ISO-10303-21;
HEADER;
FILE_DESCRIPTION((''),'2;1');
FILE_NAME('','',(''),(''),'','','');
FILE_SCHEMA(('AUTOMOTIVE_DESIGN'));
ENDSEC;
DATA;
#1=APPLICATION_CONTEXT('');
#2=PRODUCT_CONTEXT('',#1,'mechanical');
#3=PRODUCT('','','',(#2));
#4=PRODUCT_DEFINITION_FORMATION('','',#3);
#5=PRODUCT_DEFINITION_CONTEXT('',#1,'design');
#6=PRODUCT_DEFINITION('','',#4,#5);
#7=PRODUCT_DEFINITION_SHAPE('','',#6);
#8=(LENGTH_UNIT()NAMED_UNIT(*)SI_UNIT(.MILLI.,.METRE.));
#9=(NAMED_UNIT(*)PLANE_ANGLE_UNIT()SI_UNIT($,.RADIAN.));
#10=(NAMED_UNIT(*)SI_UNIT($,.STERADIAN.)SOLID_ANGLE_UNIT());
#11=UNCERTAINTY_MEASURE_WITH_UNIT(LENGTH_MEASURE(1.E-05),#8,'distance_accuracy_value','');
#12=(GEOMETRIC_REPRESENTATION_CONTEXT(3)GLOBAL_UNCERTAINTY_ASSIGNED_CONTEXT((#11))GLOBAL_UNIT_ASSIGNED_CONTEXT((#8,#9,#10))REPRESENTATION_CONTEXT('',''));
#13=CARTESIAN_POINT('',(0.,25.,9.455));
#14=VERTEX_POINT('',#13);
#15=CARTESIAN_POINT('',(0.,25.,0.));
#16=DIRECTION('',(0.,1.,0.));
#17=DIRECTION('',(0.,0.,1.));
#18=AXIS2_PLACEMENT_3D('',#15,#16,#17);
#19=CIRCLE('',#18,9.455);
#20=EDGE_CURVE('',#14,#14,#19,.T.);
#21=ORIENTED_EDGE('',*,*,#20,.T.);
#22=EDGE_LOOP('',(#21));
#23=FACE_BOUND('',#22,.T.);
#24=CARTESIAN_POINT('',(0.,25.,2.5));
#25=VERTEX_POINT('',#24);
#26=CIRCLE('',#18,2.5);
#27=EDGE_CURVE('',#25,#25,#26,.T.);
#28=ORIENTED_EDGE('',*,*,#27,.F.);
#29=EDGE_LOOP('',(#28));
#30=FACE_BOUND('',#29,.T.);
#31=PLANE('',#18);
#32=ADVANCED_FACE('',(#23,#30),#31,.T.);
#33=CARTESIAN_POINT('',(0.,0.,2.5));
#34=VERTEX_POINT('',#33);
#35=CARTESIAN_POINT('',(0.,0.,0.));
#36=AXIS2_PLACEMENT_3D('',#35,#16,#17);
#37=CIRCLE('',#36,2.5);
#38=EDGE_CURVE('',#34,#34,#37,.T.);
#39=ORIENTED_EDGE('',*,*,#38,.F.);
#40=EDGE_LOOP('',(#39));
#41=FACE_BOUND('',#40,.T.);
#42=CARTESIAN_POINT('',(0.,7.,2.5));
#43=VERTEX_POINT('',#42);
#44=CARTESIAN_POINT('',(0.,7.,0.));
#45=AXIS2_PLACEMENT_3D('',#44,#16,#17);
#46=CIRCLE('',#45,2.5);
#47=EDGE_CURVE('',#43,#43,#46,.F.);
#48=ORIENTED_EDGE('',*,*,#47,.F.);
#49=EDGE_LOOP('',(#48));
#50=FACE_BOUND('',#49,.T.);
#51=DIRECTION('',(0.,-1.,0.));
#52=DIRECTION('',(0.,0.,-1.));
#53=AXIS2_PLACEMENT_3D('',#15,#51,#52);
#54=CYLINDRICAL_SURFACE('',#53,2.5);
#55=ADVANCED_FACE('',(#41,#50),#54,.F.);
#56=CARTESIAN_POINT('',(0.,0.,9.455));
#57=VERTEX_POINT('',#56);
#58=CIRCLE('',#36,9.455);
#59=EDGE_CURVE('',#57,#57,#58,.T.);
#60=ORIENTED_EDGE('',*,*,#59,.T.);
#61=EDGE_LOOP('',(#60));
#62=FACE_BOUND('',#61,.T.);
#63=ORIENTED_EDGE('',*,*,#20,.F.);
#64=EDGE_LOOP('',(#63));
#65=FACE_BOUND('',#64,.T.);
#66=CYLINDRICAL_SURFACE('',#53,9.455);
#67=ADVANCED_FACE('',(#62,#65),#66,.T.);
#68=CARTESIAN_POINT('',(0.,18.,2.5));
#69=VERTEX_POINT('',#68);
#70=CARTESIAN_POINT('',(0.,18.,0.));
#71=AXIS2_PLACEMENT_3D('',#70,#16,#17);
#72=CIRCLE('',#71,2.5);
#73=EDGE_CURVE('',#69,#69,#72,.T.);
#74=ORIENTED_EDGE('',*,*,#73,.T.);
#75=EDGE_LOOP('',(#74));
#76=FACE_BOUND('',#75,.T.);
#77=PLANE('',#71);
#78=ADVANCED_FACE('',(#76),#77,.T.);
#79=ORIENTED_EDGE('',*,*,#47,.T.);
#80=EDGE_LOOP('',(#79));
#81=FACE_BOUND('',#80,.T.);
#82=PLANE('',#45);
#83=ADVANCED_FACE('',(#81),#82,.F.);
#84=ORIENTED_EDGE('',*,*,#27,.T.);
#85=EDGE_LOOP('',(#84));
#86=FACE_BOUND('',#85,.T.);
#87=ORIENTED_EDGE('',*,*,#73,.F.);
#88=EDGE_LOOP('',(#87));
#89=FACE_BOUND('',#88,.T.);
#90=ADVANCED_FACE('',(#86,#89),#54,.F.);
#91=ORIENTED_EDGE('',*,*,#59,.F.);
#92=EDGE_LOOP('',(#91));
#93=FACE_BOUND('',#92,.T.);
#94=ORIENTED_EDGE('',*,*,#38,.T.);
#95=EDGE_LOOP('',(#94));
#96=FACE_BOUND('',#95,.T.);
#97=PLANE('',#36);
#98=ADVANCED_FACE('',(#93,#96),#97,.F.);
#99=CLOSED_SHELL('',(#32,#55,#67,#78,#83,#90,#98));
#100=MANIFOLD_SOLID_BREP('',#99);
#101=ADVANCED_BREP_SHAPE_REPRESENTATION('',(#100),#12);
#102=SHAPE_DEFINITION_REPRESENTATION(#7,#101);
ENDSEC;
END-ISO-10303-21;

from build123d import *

# Parameters (mm, degrees)
SKETCH1_R           = 9.455
SKETCH1_R_2         = 2.5
BOSS_EXTRUDE1_DEPTH = 25
BOSS_EXTRUDE2_START = -18
SKETCH2_R           = 2.5
BOSS_EXTRUDE2_DEPTH = 11


with BuildPart() as part:
    # Sketch1 → Boss-Extrude1 (new body)
    with BuildSketch(Plane(origin=(0, 0, 0), x_dir=(1, 0, 0), z_dir=(0, 1, 0))):
        with Locations(Location((0, 0, 0), (0, 0, 270))):
            Circle(SKETCH1_R)
        with Locations(Location((0, 0, 0), (0, 0, 270))):
            Circle(SKETCH1_R_2, mode=Mode.SUBTRACT)
    extrude(amount=BOSS_EXTRUDE1_DEPTH)

    # Sketch2 → Boss-Extrude2 (add)
    with BuildSketch(Plane(origin=(0, 25, 0), x_dir=(1, 0, 0), z_dir=(0, 1, 0)).offset(BOSS_EXTRUDE2_START)):
        with Locations(Location((0, 0, 0), (0, 0, 270))):
            Circle(SKETCH2_R)
    extrude(amount=BOSS_EXTRUDE2_DEPTH)


solid = part.part
